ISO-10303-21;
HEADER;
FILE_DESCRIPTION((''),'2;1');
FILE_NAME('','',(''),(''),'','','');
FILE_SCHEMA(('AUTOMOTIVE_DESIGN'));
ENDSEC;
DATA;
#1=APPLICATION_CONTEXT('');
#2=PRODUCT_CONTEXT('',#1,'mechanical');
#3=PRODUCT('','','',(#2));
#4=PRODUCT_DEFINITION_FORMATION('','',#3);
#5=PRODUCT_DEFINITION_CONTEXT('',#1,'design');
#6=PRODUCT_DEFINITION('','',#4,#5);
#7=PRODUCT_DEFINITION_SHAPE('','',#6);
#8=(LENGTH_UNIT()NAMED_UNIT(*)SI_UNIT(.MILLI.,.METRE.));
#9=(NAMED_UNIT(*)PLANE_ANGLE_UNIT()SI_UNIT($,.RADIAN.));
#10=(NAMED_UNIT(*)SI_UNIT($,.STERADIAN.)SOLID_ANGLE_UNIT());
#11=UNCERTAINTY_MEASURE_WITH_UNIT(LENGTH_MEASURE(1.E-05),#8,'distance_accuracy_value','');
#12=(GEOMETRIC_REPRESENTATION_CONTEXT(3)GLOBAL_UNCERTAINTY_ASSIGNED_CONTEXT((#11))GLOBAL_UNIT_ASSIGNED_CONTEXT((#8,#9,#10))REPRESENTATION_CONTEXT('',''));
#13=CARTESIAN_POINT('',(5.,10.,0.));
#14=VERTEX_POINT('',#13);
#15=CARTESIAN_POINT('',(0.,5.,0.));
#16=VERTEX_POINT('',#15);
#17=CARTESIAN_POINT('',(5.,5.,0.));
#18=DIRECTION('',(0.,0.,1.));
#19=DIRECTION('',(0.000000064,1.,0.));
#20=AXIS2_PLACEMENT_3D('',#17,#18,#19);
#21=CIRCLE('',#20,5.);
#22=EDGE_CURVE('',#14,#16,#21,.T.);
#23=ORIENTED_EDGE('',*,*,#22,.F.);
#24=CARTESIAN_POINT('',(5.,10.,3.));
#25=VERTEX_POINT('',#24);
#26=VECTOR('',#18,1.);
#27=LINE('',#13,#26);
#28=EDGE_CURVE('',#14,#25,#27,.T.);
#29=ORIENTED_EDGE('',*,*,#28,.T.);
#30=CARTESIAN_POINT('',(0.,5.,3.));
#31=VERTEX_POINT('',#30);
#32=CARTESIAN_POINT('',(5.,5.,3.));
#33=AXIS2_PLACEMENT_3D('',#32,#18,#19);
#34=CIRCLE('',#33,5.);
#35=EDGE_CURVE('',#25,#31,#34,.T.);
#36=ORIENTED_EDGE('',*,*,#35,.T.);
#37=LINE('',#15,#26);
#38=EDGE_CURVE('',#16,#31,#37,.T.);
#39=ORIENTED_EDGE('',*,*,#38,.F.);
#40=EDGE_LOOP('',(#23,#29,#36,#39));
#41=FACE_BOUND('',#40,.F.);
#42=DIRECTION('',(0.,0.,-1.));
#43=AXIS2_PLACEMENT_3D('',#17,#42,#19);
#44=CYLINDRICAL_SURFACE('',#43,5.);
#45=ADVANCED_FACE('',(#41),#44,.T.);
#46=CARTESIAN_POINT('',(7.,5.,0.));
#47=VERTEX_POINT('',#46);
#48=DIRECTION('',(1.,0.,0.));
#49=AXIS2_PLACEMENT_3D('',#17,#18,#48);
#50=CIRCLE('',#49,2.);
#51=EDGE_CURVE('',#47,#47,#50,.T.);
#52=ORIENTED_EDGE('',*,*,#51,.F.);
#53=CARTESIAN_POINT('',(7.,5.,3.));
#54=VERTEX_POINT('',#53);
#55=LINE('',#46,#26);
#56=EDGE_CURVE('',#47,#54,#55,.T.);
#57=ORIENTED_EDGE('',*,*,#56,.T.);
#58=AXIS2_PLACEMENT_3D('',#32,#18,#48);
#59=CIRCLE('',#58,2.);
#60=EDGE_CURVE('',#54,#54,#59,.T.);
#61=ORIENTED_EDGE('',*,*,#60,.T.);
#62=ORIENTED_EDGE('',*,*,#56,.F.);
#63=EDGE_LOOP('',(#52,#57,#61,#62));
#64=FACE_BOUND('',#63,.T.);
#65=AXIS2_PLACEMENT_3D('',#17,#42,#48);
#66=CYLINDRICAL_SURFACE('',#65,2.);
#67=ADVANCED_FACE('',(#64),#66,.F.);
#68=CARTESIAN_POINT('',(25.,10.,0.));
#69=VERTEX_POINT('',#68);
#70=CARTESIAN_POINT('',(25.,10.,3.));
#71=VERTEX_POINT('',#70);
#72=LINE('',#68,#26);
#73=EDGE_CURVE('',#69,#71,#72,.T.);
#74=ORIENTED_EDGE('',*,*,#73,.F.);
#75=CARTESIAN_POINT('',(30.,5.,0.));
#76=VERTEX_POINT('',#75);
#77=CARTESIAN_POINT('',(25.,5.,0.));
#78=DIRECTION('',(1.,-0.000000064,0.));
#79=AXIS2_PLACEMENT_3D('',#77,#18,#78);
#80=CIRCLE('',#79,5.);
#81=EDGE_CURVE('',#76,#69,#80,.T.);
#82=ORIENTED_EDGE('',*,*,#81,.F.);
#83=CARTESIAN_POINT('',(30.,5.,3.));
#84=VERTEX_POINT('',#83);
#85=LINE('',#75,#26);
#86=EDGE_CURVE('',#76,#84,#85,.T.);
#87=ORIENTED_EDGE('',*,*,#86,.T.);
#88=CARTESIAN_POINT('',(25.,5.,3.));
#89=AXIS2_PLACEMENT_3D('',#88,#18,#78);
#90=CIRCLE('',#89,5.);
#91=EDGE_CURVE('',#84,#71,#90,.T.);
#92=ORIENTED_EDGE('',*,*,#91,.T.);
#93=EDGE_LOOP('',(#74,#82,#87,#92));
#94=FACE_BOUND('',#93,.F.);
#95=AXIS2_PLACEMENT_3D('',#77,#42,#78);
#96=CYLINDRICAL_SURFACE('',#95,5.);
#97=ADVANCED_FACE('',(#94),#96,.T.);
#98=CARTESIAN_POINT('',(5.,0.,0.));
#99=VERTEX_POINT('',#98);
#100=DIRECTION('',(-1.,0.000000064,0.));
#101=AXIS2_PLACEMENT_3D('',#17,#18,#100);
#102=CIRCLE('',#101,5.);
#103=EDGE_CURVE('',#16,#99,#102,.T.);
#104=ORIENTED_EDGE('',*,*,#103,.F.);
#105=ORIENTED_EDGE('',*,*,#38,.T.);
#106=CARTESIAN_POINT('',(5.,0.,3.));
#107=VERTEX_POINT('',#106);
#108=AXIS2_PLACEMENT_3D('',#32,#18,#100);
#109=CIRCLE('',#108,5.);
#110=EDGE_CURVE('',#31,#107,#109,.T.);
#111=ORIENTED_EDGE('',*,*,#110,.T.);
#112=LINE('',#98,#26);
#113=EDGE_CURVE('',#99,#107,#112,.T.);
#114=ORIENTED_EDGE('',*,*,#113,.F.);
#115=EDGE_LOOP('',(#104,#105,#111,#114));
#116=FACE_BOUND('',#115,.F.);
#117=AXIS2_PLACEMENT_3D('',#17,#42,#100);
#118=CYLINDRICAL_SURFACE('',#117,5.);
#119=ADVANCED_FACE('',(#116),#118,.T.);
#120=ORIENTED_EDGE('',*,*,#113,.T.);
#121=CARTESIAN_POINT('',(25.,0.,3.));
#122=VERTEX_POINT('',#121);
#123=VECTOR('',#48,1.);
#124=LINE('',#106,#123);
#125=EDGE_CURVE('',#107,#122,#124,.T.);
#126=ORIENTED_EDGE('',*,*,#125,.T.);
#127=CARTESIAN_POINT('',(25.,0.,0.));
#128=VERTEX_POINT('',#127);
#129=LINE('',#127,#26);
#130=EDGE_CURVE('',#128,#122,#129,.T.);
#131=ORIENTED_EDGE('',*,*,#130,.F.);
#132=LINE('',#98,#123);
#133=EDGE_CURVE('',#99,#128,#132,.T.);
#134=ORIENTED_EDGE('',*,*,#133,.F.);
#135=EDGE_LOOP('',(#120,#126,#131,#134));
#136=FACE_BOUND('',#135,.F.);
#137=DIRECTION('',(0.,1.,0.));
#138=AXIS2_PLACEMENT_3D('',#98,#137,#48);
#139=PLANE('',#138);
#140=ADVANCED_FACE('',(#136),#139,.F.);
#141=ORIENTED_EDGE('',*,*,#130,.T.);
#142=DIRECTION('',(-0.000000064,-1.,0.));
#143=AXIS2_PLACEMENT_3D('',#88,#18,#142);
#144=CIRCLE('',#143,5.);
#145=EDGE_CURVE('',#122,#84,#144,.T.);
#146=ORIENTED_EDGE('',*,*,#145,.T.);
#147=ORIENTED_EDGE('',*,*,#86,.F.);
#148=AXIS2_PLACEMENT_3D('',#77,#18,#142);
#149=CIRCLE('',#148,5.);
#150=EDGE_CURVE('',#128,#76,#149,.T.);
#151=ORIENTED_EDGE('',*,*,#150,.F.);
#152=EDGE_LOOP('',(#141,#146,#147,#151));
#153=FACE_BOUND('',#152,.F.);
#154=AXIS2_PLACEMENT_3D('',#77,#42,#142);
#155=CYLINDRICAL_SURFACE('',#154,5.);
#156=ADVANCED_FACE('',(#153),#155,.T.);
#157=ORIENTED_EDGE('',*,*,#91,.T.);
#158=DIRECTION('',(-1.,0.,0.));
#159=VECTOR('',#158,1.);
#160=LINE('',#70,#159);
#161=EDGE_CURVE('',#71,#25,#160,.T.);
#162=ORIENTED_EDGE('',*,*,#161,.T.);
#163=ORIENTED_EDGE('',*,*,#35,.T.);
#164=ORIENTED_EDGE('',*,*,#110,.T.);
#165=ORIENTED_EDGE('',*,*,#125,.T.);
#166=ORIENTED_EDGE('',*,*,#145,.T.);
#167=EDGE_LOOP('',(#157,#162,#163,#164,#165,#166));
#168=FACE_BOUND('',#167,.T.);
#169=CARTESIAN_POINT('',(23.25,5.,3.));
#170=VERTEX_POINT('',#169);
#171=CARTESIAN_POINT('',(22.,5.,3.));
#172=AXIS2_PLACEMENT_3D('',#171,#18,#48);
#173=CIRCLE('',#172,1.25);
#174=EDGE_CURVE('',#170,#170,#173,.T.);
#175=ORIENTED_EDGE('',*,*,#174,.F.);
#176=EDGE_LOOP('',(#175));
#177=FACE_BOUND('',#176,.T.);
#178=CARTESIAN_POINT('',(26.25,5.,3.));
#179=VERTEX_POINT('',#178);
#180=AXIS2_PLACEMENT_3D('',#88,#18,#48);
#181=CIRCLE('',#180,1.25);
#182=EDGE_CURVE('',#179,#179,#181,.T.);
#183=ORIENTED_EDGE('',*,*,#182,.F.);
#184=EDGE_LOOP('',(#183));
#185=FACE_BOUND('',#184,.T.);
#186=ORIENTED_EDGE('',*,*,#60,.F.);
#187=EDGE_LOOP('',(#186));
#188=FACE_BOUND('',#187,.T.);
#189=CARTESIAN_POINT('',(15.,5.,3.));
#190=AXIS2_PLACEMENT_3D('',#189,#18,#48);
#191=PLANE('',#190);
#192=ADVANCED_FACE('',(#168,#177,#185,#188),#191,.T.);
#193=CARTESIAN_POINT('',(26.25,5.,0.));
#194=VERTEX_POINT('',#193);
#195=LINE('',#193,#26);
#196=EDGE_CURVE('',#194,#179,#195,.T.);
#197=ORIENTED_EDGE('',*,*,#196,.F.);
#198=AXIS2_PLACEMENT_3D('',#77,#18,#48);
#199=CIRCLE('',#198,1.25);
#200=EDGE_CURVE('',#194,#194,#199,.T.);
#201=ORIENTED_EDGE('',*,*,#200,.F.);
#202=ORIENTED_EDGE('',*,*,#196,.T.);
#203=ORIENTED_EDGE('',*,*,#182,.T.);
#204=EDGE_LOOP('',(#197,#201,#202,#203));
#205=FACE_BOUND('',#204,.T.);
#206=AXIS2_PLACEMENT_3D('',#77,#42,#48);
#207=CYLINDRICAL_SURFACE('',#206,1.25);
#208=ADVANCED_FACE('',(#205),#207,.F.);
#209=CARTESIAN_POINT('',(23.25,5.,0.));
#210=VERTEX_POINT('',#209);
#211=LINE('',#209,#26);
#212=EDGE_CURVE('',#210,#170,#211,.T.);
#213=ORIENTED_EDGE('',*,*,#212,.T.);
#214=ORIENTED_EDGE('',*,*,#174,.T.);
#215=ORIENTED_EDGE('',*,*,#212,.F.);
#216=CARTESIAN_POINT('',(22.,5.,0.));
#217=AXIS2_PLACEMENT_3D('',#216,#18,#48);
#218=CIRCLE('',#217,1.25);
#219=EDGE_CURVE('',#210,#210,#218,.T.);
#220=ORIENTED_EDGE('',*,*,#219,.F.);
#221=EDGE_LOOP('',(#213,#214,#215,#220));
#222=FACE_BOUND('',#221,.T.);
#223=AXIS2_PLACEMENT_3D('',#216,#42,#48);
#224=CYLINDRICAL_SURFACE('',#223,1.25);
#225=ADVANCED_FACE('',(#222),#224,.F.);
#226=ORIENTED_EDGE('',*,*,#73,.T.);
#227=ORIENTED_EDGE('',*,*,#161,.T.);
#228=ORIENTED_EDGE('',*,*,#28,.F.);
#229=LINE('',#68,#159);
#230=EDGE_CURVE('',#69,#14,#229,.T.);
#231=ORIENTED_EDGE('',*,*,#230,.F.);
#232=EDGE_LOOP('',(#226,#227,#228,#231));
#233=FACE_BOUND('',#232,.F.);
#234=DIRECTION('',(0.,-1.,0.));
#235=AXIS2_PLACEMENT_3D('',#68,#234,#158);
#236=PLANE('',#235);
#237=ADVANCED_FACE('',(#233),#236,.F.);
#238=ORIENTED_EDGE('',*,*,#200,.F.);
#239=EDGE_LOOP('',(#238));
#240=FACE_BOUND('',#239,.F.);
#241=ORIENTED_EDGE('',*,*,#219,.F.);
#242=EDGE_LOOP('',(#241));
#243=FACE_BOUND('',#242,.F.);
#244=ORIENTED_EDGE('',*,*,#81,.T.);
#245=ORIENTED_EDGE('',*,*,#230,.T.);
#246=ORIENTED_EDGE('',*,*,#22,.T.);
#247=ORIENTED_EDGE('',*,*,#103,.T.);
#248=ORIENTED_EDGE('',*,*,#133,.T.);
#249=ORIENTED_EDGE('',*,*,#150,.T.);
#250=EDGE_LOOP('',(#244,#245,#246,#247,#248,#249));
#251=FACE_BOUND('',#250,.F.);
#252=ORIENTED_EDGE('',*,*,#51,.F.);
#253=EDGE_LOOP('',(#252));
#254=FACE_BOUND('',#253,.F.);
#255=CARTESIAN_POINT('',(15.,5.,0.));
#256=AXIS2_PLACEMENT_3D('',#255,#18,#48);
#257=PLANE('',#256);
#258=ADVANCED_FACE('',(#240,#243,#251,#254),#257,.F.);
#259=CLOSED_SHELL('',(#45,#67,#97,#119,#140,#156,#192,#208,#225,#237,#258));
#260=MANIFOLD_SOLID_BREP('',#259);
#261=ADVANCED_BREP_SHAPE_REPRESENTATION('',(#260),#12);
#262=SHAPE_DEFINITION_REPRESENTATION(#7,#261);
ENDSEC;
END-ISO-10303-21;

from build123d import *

# Parameters (mm, degrees)
F0_R     = 2
F0_R_2   = 1.25
F1_DEPTH = 3


with BuildPart() as f1:
    # F0 (on Top) → F1 (new body)
    with BuildSketch(Plane.XY):
        with BuildLine():
            ThreePointArc((0, 5), (1.464466, 1.464466), (5, 0))
            Line((5, 0), (25, 0))
            ThreePointArc((25, 0), (28.535534, 1.464466), (30, 5))
            ThreePointArc((30, 5), (28.535534, 8.535534), (25, 10))
            Line((25, 10), (5, 10))
            ThreePointArc((5, 10), (1.464466, 8.535534), (0, 5))
        make_face()
        with Locations((5, 5)):
            Circle(F0_R, mode=Mode.SUBTRACT)
        with Locations((22, 5)):
            Circle(F0_R_2, mode=Mode.SUBTRACT)
        with Locations((25, 5)):
            Circle(F0_R_2, mode=Mode.SUBTRACT)
    extrude(amount=F1_DEPTH)


solid = f1.part
